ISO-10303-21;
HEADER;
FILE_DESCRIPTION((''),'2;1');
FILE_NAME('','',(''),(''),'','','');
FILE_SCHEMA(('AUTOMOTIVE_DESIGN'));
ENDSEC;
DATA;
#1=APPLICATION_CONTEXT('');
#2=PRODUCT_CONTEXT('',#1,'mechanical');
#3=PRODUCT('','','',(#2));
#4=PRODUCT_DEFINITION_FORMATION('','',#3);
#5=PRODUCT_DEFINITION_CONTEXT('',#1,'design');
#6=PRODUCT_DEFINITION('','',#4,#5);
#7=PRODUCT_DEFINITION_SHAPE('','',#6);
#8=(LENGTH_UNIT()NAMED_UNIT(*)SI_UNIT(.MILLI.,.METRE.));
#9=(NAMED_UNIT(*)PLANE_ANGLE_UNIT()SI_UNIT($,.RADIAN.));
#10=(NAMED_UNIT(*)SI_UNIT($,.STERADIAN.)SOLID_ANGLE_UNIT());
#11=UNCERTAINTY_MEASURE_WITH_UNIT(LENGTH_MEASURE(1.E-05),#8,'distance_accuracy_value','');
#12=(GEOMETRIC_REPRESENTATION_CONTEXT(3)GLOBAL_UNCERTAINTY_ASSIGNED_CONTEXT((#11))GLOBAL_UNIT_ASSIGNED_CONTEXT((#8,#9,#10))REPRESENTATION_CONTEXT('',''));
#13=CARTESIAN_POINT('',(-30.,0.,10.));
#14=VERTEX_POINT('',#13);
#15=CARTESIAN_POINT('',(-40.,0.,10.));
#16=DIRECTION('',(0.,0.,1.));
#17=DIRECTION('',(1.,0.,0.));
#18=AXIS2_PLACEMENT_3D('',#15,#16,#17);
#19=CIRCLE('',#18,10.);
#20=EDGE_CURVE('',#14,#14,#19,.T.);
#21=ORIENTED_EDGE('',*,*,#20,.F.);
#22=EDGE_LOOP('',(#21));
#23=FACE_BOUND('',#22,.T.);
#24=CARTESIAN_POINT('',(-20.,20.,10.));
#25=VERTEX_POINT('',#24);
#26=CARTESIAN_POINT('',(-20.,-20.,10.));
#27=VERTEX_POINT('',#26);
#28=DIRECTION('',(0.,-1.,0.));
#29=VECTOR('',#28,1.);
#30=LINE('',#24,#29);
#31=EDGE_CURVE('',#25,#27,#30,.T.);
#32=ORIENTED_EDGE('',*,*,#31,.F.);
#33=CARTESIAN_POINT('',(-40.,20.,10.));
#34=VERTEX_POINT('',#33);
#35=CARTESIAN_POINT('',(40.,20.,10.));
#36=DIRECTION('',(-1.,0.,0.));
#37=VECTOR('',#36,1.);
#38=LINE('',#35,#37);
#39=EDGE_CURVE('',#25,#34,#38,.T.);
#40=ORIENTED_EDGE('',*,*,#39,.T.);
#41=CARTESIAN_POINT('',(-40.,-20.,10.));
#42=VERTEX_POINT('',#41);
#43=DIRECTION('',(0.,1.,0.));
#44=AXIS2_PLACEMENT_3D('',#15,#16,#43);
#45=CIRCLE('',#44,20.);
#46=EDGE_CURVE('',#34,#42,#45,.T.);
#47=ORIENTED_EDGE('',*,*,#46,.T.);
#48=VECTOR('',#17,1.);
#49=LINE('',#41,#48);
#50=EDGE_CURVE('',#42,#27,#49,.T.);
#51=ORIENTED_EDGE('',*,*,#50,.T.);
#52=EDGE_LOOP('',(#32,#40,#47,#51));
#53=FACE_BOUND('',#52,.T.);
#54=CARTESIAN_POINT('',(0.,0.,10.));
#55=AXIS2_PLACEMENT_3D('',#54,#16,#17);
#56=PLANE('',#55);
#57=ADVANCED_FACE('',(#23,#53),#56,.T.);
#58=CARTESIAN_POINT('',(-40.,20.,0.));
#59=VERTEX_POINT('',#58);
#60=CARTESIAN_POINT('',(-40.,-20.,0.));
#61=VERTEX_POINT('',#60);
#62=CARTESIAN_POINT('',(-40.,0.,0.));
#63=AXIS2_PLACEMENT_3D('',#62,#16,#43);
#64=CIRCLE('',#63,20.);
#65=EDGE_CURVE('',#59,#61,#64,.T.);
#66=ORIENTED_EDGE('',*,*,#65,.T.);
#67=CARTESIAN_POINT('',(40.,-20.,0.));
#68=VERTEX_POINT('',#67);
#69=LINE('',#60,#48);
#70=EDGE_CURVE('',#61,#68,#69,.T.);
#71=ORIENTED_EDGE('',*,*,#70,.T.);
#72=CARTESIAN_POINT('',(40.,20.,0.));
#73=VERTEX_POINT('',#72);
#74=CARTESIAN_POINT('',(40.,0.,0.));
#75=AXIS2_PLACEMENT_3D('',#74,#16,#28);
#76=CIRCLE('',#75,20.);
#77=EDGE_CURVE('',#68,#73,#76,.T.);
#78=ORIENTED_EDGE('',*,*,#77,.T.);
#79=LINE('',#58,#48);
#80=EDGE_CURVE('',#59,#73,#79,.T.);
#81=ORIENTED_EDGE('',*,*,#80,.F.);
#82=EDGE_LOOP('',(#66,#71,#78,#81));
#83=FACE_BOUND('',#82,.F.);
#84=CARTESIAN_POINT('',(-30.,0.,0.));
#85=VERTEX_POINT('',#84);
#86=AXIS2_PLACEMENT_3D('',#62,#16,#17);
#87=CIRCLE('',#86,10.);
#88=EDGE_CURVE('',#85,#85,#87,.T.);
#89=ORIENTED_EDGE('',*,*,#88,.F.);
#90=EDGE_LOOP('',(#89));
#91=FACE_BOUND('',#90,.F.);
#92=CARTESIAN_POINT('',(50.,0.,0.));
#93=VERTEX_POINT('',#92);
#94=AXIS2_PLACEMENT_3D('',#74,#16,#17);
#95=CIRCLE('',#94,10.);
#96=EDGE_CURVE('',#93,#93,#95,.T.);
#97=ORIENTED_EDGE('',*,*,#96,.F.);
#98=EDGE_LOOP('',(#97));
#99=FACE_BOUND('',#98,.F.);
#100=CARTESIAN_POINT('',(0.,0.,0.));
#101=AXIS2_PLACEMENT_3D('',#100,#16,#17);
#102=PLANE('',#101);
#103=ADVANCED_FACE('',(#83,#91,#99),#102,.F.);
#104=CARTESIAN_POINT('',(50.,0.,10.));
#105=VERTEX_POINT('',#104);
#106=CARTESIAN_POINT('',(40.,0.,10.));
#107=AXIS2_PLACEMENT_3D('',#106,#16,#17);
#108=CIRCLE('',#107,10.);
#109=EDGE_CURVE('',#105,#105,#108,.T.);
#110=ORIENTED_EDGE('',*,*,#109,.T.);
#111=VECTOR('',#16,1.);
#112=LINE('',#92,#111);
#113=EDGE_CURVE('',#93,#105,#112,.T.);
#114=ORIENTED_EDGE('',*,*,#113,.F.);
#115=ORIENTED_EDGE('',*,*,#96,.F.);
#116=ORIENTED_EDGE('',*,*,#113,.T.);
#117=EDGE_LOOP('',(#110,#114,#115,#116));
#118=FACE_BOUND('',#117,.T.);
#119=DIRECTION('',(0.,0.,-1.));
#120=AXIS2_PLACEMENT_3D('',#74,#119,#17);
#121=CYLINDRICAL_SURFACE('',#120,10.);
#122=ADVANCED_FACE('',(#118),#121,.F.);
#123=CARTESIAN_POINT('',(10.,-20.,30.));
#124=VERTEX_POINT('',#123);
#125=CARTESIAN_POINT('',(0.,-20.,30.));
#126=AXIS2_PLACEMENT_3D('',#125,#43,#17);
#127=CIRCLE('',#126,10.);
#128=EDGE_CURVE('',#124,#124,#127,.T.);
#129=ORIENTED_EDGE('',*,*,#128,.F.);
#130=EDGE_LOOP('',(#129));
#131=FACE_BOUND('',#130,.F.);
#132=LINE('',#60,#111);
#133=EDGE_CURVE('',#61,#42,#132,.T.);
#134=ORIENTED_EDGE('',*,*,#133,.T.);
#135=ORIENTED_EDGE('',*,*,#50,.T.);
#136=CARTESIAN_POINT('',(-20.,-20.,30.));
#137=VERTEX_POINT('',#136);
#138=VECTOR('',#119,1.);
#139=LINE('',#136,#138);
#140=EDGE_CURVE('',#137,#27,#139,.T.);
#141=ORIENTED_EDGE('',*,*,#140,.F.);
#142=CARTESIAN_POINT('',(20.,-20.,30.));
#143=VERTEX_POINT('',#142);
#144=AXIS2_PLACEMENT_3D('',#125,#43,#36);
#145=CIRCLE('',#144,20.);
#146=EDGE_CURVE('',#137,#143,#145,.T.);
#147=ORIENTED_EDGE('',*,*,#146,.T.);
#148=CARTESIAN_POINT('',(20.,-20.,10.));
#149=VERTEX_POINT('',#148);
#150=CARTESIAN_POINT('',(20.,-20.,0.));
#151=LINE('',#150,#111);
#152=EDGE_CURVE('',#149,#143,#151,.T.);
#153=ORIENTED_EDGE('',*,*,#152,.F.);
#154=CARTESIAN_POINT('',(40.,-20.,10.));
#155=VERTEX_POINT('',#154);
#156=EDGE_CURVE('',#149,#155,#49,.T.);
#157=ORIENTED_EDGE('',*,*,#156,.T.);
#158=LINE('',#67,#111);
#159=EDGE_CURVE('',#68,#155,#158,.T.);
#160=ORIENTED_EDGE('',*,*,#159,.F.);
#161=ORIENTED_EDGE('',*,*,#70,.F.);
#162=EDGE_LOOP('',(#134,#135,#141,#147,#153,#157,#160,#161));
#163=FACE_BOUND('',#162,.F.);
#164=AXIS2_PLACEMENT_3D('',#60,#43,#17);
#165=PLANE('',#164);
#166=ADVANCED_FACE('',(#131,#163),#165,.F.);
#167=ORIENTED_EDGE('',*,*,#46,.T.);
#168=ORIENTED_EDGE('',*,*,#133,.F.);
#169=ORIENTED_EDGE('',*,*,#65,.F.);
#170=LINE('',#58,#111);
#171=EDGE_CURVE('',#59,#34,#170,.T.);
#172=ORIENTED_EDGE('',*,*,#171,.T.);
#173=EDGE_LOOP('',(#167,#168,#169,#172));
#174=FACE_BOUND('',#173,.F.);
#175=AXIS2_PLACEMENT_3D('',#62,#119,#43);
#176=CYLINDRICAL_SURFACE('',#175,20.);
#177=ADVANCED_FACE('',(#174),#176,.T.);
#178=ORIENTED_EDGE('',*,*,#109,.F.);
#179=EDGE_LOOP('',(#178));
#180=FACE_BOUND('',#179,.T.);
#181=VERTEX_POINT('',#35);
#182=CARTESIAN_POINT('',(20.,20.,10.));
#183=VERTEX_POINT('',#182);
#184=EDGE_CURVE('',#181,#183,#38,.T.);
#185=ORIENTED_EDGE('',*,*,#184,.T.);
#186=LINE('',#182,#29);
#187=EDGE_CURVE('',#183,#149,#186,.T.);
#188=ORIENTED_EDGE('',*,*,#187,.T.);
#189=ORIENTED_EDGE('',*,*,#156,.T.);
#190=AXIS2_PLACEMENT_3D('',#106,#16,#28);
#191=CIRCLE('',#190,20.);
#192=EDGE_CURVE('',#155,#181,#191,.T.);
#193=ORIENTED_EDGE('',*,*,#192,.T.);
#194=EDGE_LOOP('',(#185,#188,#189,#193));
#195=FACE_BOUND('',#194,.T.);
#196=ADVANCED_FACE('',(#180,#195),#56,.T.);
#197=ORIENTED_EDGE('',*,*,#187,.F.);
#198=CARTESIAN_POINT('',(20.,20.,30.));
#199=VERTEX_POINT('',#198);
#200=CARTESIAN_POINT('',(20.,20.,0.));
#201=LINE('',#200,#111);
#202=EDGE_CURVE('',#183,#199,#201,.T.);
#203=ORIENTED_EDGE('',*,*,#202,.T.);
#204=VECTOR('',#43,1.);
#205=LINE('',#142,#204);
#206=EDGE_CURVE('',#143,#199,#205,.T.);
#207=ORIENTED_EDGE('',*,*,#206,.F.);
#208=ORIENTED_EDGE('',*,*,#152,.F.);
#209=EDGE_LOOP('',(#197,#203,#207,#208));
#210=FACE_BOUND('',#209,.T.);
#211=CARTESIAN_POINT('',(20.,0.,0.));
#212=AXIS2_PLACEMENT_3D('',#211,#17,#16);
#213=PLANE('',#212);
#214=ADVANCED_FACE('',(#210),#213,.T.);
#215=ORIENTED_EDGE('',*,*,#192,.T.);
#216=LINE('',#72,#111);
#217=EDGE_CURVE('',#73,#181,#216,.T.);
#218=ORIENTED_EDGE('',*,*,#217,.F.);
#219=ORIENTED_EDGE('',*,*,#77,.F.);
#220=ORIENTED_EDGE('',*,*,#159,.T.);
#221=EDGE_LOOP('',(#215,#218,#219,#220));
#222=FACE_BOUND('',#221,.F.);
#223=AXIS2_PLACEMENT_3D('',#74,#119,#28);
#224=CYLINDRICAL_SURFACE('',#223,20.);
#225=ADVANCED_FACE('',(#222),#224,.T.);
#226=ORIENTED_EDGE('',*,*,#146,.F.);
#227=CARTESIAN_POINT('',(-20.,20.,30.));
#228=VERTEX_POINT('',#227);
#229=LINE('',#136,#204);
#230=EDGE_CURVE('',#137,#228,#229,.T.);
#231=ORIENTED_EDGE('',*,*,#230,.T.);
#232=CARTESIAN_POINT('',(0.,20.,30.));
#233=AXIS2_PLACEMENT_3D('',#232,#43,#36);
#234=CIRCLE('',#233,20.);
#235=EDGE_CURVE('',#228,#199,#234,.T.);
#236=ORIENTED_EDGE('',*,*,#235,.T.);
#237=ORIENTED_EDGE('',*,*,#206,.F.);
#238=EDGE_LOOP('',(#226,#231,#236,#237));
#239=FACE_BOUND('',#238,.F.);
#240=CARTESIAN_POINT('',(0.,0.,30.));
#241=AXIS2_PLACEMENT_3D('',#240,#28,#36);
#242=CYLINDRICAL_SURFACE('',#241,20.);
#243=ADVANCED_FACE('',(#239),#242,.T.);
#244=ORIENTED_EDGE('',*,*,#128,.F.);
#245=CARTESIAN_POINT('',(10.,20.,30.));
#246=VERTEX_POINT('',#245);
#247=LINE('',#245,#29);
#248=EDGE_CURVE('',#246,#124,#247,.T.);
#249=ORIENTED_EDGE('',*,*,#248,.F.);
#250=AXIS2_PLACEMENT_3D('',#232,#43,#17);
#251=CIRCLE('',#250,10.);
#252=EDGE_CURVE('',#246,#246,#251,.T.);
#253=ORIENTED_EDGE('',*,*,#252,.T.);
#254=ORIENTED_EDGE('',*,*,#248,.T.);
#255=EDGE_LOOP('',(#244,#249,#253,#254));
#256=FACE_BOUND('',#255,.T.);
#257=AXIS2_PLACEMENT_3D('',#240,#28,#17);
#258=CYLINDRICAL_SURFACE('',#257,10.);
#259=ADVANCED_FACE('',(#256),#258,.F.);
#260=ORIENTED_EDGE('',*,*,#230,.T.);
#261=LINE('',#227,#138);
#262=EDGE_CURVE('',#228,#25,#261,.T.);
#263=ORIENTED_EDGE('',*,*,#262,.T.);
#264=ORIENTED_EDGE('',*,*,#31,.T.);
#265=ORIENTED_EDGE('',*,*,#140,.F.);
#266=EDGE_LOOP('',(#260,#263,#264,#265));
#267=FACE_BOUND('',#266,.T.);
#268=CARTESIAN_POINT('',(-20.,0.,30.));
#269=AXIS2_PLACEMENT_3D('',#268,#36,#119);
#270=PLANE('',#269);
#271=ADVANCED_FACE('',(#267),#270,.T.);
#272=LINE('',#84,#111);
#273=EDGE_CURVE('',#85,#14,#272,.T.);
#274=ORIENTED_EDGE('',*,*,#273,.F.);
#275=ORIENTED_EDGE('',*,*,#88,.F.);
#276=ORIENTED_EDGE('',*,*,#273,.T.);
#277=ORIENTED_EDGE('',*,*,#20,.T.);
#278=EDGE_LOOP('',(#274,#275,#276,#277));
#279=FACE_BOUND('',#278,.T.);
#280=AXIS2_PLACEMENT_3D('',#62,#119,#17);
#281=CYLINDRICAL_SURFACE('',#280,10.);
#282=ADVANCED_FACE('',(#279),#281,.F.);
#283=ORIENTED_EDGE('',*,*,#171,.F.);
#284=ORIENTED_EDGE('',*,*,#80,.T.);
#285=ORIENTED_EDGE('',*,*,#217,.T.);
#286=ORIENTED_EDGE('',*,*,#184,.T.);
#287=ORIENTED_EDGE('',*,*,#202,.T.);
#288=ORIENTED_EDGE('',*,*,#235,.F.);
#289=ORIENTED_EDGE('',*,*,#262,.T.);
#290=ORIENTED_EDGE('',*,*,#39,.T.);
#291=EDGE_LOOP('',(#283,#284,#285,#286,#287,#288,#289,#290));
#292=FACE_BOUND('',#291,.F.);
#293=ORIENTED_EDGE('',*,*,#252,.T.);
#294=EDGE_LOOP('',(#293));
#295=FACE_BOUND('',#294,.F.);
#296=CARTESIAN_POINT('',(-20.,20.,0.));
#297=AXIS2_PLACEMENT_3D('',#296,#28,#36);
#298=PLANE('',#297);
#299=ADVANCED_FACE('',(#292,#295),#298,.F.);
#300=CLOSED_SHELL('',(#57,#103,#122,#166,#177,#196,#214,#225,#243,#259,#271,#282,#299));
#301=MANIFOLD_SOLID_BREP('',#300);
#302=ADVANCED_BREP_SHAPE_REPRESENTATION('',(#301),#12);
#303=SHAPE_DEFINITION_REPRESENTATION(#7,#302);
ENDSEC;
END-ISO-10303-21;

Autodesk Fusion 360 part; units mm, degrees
sketch "Base" plane through (0, 0, 0) normal (0, 0, 1) x (1, 0, 0)
  line L0 (40, 20) -> (-40, 20)
  line L1 (-40, -20) -> (40, -20)
  line L2 (-20, 20) -> (-20, -20)
  line L3 (20, 20) -> (20, -20)
  circle A0 centre (-40, 0) radius 10
  circle A1 centre (40, 0) radius 10
  arc A2 (40, -20) -> (40, 20) centre (40, 0) ccw
  arc A3 (-40, 20) -> (-40, -20) centre (-40, 0) ccw
  line L4 (0, 20) -> (0, -20) construction
  line L5 (0, 1.75) -> (0, 22.5)
  dimension "d1" = 80
  dimension "d2" = 40
  dimension "d3" = 40
  dimension "d5" = 20
  dimension "d6" = 20
  dimension "d21" = 20
extrude "Extrude1" add sketch "Base" along normal blind 10 contours L0 L1 L3 A2 | L0 L1 L2 A3 makes body 1 at (-23.3333, 0, 0) makes body 2 at (23.3333, 0, 0)
sketch "Round" plane through (0, 0, 0) normal (0, 1, 0) x (1, 0, 0)
  line L0 (-20, -30) -> (-20, 0)
  line L1 (-20, 0) -> (20, 0)
  line L2 (20, 0) -> (20, -30)
  line L3 (-40, 0) -> (40, 0)
  line L4 (0, -30) -> (0, 0) construction
  line L5 (0, -1.75) -> (0, -22.5) construction
  circle A0 centre (0, -30) radius 10
  arc A1 (-20, -30) -> (20, -30) centre (0, -30) ccw
  dimension "d11" = 30
  dimension "d12" = 40
  dimension "d13" = 20
  dimension "d14" = 40
extrude "Extrude3" add sketch "Round" along normal mid plane 40 bodies 1 2
